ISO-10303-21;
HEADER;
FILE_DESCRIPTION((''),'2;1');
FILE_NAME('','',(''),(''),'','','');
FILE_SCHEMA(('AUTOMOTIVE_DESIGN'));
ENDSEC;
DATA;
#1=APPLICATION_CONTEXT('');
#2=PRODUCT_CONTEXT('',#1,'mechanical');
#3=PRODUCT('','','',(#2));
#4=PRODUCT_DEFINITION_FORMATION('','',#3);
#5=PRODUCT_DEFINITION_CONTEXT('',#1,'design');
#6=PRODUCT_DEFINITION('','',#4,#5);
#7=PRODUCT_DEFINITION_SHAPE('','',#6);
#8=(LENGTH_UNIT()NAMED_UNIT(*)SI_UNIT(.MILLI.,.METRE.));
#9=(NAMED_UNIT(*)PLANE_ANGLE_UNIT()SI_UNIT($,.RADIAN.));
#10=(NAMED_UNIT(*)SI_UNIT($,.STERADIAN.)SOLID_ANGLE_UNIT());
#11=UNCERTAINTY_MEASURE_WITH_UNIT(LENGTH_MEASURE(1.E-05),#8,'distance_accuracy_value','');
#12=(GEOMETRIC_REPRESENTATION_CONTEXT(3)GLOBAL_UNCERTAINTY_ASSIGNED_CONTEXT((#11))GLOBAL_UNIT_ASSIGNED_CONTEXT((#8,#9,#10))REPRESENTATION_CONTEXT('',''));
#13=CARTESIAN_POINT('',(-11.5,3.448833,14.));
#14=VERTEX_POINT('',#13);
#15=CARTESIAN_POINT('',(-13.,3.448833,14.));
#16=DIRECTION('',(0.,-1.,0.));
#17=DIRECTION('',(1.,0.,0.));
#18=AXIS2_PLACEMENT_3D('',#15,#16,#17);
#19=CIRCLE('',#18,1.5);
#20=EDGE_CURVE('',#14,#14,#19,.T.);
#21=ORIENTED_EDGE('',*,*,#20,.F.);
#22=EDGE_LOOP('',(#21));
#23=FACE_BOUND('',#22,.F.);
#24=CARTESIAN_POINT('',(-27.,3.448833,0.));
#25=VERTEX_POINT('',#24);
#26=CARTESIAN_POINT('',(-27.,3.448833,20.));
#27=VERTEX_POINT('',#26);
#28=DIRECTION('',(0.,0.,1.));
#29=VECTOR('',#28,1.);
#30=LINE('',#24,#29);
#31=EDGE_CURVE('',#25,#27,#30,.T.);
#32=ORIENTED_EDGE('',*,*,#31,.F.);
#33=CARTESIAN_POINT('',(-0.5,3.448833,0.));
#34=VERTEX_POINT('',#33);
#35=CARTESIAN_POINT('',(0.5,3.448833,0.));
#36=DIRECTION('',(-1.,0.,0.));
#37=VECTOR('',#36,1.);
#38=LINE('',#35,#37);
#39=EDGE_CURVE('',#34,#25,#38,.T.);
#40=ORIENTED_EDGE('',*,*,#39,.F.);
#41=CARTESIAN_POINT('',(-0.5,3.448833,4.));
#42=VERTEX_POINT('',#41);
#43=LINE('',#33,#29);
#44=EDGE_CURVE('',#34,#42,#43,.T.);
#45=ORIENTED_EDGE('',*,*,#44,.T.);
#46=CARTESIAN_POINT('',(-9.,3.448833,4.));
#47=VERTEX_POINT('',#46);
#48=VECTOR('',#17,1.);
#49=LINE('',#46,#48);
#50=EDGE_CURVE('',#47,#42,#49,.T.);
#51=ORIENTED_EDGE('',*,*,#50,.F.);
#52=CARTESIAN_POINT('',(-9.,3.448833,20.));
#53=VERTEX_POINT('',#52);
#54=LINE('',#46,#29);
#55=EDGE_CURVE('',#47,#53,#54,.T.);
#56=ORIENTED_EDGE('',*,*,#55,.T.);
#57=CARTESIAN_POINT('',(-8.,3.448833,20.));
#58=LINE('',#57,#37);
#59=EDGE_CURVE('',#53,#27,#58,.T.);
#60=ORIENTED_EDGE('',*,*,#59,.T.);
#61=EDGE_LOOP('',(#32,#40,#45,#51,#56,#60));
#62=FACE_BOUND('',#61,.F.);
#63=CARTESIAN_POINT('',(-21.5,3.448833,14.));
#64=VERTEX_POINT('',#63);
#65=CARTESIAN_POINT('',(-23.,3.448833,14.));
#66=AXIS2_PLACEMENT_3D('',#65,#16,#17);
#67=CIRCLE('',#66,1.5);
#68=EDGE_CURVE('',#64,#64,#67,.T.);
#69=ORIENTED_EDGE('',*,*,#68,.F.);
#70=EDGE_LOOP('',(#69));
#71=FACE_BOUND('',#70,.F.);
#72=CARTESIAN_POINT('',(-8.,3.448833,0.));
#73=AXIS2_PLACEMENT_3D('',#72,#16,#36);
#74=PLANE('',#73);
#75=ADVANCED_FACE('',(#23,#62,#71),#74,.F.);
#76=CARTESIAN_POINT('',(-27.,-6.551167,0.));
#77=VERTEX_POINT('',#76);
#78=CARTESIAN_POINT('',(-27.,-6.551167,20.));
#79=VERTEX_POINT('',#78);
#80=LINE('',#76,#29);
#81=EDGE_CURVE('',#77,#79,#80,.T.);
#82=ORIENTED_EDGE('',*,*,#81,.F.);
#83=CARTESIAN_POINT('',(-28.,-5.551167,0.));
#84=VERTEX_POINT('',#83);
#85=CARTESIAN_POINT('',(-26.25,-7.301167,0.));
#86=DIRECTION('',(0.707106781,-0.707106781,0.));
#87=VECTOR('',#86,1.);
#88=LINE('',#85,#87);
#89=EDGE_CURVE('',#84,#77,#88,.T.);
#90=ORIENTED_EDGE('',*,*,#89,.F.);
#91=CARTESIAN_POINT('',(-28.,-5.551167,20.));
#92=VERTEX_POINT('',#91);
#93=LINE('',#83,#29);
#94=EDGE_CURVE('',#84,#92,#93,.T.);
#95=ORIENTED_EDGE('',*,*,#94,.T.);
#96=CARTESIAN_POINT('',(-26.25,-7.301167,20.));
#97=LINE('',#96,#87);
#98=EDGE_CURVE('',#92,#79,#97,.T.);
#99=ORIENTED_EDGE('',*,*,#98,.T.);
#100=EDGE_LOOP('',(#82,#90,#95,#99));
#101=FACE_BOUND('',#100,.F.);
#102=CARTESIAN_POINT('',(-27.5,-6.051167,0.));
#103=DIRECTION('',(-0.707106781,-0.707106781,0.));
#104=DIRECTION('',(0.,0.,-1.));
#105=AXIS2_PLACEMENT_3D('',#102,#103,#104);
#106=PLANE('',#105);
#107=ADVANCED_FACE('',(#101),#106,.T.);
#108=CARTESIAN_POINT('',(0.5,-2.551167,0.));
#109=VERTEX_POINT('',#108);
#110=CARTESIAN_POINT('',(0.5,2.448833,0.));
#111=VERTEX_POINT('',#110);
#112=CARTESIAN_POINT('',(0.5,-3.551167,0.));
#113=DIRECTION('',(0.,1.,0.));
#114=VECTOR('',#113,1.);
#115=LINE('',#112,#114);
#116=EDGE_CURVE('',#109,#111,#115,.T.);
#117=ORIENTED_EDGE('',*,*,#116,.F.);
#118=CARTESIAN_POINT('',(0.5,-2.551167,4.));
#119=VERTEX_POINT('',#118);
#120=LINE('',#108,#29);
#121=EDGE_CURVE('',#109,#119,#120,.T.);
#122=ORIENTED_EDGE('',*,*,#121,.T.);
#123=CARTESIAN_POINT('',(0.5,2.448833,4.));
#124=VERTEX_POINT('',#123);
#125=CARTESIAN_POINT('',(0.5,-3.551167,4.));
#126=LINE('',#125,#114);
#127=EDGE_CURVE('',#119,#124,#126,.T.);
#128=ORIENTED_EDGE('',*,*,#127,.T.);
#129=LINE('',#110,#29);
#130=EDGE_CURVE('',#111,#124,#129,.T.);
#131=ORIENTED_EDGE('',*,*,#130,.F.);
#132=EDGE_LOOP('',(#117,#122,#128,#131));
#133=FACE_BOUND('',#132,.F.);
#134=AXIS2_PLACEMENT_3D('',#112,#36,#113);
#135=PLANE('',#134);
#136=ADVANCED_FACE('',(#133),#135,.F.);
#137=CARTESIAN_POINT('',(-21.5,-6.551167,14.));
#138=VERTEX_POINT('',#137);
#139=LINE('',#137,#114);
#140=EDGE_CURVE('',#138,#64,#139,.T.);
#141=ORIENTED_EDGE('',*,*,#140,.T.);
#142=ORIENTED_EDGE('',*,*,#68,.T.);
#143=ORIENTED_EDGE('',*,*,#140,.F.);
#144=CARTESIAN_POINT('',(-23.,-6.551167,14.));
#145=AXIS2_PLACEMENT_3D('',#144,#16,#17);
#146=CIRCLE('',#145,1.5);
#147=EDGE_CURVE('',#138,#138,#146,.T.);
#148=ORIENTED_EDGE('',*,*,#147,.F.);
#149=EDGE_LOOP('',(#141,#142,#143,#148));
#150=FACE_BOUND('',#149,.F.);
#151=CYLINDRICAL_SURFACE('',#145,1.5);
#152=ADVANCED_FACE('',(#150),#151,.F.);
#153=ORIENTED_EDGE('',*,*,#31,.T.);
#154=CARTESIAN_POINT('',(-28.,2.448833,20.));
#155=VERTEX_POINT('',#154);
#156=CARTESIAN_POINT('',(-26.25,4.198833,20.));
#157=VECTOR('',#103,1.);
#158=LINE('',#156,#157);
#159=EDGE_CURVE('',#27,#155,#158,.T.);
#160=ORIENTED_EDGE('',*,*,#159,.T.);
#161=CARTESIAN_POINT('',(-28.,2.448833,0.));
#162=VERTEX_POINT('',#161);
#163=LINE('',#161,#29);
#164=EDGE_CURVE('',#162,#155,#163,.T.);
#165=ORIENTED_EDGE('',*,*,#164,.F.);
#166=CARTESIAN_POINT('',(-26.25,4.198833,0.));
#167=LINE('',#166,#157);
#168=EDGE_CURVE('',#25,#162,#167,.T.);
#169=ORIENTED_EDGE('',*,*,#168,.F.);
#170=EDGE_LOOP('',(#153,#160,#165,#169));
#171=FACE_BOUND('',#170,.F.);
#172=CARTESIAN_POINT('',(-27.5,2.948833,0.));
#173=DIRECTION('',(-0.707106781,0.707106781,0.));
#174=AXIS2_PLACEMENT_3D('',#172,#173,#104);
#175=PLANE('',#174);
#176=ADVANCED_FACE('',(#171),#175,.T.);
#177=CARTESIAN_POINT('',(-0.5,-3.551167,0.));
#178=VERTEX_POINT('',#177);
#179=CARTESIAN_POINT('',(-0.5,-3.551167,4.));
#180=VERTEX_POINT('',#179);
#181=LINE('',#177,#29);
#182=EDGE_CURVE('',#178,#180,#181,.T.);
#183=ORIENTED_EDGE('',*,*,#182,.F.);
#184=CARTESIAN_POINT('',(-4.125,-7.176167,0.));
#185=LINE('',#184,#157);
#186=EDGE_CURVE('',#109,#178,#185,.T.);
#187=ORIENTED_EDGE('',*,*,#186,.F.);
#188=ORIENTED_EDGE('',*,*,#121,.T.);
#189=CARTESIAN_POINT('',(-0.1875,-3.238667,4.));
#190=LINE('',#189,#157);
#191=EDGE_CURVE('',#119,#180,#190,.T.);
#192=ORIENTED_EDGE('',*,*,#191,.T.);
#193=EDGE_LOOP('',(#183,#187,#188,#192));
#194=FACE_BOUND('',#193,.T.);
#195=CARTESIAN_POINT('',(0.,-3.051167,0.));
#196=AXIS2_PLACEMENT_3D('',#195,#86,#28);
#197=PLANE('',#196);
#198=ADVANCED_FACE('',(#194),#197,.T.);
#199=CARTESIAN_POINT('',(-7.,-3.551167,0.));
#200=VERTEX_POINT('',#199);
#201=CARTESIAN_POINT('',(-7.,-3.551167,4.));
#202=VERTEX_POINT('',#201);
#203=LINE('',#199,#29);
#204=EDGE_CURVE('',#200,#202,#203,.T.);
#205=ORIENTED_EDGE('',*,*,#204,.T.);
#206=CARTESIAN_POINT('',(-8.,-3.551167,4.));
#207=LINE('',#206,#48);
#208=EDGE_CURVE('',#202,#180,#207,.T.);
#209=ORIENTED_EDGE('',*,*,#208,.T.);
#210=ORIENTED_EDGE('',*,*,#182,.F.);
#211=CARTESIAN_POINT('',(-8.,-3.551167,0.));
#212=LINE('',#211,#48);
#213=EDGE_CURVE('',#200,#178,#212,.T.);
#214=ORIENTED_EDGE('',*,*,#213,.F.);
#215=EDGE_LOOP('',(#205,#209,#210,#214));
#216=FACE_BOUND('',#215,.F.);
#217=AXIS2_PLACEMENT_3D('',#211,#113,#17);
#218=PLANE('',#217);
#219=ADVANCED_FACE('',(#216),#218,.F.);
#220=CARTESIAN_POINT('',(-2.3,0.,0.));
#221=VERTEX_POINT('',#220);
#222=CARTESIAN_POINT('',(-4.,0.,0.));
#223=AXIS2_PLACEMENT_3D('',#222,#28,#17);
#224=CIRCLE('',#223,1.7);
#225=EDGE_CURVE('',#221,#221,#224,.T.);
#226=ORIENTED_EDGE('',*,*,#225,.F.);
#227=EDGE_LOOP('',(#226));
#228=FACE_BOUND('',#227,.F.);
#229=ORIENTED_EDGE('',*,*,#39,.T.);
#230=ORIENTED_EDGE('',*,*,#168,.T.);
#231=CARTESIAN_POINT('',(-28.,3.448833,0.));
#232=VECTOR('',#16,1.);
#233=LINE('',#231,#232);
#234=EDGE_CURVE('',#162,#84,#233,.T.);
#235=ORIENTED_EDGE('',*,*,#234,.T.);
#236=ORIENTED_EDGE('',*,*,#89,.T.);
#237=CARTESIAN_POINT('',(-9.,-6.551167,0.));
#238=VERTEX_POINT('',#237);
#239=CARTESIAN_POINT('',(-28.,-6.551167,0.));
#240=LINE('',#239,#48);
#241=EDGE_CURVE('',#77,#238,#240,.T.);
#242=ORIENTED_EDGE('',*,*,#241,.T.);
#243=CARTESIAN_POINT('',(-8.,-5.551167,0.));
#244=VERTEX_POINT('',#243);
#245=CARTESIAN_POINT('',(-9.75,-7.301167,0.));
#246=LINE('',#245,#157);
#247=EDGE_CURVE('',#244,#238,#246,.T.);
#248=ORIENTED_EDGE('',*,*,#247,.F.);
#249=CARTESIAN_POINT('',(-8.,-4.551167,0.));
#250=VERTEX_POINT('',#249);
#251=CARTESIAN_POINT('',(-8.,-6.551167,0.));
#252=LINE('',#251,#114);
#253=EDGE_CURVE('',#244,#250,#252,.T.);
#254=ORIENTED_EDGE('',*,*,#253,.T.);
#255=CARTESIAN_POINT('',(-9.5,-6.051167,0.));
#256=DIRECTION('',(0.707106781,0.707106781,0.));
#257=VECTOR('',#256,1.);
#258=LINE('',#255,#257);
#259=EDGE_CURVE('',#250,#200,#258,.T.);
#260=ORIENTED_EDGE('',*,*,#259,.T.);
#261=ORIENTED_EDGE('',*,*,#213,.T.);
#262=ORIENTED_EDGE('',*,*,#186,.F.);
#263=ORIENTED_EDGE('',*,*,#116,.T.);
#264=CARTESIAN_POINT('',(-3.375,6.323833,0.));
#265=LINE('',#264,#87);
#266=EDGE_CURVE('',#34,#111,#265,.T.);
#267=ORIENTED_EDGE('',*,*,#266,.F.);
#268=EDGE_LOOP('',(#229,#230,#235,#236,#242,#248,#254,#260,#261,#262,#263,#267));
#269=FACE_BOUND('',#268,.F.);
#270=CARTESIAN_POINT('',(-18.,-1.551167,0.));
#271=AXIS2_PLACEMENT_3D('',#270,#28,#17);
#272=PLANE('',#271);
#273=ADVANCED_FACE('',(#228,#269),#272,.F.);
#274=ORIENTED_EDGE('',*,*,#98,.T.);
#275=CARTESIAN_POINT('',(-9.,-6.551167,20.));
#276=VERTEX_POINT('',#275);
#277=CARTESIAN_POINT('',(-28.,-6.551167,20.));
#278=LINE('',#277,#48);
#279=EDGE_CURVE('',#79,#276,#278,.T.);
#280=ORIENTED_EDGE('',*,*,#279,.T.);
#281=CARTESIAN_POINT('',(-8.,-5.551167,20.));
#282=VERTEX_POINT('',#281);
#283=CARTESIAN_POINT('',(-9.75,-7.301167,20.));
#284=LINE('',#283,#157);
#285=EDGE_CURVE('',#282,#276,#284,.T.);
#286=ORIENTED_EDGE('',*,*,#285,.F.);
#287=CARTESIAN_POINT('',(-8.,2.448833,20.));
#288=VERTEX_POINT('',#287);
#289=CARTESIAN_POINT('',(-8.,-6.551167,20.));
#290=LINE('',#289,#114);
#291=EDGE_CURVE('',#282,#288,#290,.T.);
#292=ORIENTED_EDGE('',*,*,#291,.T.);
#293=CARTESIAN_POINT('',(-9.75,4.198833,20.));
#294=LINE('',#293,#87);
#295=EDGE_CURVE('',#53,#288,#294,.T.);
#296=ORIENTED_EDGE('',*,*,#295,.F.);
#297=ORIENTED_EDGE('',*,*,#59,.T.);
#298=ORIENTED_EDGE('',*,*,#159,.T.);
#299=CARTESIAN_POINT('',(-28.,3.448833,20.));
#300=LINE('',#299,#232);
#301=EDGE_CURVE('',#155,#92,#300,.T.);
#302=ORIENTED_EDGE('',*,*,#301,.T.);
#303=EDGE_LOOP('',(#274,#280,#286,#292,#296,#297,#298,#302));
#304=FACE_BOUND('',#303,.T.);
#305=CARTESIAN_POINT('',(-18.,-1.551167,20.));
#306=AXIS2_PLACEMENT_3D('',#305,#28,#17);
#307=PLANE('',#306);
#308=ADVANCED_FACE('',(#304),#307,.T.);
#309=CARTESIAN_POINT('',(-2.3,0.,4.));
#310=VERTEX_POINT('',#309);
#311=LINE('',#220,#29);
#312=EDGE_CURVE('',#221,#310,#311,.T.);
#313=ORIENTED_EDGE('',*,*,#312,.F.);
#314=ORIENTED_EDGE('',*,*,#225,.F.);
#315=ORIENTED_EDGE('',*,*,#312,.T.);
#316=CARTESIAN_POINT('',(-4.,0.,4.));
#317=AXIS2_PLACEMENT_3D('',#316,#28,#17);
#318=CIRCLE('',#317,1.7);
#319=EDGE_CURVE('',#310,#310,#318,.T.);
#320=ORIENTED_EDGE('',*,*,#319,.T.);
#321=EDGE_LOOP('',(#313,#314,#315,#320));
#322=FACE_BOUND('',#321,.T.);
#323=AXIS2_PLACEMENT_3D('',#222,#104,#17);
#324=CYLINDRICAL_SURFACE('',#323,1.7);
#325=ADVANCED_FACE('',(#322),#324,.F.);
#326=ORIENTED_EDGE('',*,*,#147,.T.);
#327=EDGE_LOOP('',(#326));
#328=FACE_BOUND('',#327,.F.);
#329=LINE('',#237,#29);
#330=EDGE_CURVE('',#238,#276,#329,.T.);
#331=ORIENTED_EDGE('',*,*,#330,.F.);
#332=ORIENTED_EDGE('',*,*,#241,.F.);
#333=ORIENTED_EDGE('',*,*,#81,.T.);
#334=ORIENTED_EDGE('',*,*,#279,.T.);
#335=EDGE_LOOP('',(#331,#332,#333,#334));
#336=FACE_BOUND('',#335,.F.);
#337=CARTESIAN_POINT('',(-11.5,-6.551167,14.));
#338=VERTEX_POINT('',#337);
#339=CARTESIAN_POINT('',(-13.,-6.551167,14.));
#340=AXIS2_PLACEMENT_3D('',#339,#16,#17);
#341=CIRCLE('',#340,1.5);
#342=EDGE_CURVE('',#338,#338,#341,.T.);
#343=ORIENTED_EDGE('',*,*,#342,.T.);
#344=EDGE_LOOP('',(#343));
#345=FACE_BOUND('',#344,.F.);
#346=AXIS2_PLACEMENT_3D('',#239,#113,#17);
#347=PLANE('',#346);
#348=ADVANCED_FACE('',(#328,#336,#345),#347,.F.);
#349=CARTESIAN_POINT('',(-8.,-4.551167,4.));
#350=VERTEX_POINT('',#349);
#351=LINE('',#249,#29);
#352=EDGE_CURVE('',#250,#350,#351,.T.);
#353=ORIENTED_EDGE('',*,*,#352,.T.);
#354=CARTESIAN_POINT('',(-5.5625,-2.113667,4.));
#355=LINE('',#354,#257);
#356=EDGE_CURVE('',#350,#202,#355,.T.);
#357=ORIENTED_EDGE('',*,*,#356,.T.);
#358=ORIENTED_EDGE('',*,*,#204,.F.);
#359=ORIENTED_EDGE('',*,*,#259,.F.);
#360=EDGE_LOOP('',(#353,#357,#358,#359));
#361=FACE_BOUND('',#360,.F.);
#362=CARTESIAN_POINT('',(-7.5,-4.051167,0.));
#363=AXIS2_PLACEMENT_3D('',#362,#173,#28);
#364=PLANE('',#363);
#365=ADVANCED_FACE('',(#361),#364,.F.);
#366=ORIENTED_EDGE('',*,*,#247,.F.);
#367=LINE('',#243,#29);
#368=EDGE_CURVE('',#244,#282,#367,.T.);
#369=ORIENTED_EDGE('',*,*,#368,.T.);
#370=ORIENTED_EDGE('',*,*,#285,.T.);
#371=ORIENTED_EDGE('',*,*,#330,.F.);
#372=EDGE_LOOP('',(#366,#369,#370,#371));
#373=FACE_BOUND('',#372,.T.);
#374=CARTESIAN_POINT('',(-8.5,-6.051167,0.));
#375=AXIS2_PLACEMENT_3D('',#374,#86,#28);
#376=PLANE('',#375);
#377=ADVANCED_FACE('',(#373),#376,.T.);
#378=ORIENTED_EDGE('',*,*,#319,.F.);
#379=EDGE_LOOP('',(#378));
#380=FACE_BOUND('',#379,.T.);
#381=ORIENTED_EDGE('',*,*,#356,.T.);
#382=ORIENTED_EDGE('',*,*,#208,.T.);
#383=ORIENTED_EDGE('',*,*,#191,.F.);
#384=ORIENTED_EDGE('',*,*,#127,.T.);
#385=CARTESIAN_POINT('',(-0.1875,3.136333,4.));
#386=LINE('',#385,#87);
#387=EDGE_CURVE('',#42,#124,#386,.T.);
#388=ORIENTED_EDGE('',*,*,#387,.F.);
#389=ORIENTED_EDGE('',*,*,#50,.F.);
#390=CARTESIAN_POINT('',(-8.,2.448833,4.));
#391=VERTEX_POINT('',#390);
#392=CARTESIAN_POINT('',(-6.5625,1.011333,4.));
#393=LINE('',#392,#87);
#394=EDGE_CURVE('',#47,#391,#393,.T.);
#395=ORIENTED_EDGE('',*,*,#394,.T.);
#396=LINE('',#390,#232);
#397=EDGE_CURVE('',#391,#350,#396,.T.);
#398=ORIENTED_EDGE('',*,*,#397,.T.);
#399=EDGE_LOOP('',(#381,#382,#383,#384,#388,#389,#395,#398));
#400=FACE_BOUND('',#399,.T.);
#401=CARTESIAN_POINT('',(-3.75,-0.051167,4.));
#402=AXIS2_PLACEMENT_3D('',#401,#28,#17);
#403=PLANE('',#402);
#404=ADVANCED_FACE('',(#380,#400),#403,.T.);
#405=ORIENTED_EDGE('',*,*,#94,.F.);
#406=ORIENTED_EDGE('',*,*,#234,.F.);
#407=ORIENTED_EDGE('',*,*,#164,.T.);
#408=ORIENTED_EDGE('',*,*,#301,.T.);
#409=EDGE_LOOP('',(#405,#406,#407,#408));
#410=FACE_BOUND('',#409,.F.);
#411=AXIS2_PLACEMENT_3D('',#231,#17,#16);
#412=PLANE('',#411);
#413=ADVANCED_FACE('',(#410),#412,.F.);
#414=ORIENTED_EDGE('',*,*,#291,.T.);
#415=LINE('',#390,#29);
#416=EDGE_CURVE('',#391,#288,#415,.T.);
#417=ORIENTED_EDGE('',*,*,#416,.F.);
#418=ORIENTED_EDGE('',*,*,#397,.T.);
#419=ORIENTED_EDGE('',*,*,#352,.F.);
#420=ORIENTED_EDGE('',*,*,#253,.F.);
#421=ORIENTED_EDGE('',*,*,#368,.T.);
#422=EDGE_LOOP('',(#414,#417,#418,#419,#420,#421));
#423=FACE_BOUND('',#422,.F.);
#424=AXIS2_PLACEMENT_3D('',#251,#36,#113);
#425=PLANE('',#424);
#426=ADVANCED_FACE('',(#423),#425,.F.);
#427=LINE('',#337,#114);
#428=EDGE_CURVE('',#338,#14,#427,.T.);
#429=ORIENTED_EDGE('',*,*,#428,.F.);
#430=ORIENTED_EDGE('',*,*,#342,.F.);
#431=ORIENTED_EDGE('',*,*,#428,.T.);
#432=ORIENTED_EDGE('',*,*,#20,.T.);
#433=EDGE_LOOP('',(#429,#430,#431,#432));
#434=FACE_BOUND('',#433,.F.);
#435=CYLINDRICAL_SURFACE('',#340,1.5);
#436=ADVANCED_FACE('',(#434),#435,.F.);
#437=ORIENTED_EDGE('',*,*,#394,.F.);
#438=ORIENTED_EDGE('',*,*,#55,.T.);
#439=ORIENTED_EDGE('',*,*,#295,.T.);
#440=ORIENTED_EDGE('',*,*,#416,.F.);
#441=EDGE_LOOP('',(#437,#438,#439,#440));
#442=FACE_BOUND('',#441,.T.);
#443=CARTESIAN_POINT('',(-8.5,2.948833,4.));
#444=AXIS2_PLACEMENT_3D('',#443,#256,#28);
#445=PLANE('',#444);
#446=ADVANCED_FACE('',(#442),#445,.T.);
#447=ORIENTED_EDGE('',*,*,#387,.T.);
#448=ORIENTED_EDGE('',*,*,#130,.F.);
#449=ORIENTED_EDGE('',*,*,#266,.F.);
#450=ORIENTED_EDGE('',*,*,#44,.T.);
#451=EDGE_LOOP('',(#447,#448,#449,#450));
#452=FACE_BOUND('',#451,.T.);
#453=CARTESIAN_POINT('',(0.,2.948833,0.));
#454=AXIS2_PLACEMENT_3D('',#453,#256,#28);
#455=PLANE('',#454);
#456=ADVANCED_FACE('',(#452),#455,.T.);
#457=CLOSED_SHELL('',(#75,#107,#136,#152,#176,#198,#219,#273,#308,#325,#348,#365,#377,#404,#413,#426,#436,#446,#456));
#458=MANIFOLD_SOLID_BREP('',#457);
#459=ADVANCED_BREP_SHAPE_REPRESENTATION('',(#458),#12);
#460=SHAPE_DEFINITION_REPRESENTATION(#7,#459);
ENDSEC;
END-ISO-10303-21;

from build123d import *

# Parameters (mm, degrees)
F0_R     = 1.7
F1_DEPTH = 4
F2_DEPTH = 20
F3_R     = 1.5
F4_DEPTH = 10
F5_SIZE  = 1


with BuildPart() as f1:
    # F0 (on Top) → F1 (new body)
    with BuildSketch(Plane.XY):
        Polygon((-4, 3.448833), (-8, 3.448833), (-8, -3.551167), (0.5, -3.551167), (0.5, 3.448833), align=None)
        with Locations((-4, 0)):
            Circle(F0_R, mode=Mode.SUBTRACT)
    extrude(amount=F1_DEPTH)

    # F0 (on Top) → F2 (join)
    with BuildSketch(Plane.XY):
        Polygon((-8, -3.551167), (-8, 3.448833), (-28, 3.448833), (-28, -3.551167), (-28, -6.551167), (-8, -6.551167), align=None)
    extrude(amount=F2_DEPTH)

    # F3 (on face) → F4 (cut, through all)
    with BuildSketch(Plane.XZ.offset(6.551167)):
        with Locations((-13, 14)):
            Circle(F3_R)
        with Locations((-23, 14)):
            Circle(F3_R)
    extrude(amount=-F4_DEPTH, mode=Mode.SUBTRACT)

    # F5
    f5_edges = [f1.edges().sort_by_distance(p)[0] for p in [
        (-8, -6.551167, 10),
        (-28, -6.551167, 10),
        (-8, 3.448833, 12),
        (-28, 3.448833, 10),
        (0.5, -3.551167, 2),
        (-8, -3.551167, 2),
        (0.5, 3.448833, 2),
    ]]
    chamfer(f5_edges, length=F5_SIZE)


solid = f1.part
